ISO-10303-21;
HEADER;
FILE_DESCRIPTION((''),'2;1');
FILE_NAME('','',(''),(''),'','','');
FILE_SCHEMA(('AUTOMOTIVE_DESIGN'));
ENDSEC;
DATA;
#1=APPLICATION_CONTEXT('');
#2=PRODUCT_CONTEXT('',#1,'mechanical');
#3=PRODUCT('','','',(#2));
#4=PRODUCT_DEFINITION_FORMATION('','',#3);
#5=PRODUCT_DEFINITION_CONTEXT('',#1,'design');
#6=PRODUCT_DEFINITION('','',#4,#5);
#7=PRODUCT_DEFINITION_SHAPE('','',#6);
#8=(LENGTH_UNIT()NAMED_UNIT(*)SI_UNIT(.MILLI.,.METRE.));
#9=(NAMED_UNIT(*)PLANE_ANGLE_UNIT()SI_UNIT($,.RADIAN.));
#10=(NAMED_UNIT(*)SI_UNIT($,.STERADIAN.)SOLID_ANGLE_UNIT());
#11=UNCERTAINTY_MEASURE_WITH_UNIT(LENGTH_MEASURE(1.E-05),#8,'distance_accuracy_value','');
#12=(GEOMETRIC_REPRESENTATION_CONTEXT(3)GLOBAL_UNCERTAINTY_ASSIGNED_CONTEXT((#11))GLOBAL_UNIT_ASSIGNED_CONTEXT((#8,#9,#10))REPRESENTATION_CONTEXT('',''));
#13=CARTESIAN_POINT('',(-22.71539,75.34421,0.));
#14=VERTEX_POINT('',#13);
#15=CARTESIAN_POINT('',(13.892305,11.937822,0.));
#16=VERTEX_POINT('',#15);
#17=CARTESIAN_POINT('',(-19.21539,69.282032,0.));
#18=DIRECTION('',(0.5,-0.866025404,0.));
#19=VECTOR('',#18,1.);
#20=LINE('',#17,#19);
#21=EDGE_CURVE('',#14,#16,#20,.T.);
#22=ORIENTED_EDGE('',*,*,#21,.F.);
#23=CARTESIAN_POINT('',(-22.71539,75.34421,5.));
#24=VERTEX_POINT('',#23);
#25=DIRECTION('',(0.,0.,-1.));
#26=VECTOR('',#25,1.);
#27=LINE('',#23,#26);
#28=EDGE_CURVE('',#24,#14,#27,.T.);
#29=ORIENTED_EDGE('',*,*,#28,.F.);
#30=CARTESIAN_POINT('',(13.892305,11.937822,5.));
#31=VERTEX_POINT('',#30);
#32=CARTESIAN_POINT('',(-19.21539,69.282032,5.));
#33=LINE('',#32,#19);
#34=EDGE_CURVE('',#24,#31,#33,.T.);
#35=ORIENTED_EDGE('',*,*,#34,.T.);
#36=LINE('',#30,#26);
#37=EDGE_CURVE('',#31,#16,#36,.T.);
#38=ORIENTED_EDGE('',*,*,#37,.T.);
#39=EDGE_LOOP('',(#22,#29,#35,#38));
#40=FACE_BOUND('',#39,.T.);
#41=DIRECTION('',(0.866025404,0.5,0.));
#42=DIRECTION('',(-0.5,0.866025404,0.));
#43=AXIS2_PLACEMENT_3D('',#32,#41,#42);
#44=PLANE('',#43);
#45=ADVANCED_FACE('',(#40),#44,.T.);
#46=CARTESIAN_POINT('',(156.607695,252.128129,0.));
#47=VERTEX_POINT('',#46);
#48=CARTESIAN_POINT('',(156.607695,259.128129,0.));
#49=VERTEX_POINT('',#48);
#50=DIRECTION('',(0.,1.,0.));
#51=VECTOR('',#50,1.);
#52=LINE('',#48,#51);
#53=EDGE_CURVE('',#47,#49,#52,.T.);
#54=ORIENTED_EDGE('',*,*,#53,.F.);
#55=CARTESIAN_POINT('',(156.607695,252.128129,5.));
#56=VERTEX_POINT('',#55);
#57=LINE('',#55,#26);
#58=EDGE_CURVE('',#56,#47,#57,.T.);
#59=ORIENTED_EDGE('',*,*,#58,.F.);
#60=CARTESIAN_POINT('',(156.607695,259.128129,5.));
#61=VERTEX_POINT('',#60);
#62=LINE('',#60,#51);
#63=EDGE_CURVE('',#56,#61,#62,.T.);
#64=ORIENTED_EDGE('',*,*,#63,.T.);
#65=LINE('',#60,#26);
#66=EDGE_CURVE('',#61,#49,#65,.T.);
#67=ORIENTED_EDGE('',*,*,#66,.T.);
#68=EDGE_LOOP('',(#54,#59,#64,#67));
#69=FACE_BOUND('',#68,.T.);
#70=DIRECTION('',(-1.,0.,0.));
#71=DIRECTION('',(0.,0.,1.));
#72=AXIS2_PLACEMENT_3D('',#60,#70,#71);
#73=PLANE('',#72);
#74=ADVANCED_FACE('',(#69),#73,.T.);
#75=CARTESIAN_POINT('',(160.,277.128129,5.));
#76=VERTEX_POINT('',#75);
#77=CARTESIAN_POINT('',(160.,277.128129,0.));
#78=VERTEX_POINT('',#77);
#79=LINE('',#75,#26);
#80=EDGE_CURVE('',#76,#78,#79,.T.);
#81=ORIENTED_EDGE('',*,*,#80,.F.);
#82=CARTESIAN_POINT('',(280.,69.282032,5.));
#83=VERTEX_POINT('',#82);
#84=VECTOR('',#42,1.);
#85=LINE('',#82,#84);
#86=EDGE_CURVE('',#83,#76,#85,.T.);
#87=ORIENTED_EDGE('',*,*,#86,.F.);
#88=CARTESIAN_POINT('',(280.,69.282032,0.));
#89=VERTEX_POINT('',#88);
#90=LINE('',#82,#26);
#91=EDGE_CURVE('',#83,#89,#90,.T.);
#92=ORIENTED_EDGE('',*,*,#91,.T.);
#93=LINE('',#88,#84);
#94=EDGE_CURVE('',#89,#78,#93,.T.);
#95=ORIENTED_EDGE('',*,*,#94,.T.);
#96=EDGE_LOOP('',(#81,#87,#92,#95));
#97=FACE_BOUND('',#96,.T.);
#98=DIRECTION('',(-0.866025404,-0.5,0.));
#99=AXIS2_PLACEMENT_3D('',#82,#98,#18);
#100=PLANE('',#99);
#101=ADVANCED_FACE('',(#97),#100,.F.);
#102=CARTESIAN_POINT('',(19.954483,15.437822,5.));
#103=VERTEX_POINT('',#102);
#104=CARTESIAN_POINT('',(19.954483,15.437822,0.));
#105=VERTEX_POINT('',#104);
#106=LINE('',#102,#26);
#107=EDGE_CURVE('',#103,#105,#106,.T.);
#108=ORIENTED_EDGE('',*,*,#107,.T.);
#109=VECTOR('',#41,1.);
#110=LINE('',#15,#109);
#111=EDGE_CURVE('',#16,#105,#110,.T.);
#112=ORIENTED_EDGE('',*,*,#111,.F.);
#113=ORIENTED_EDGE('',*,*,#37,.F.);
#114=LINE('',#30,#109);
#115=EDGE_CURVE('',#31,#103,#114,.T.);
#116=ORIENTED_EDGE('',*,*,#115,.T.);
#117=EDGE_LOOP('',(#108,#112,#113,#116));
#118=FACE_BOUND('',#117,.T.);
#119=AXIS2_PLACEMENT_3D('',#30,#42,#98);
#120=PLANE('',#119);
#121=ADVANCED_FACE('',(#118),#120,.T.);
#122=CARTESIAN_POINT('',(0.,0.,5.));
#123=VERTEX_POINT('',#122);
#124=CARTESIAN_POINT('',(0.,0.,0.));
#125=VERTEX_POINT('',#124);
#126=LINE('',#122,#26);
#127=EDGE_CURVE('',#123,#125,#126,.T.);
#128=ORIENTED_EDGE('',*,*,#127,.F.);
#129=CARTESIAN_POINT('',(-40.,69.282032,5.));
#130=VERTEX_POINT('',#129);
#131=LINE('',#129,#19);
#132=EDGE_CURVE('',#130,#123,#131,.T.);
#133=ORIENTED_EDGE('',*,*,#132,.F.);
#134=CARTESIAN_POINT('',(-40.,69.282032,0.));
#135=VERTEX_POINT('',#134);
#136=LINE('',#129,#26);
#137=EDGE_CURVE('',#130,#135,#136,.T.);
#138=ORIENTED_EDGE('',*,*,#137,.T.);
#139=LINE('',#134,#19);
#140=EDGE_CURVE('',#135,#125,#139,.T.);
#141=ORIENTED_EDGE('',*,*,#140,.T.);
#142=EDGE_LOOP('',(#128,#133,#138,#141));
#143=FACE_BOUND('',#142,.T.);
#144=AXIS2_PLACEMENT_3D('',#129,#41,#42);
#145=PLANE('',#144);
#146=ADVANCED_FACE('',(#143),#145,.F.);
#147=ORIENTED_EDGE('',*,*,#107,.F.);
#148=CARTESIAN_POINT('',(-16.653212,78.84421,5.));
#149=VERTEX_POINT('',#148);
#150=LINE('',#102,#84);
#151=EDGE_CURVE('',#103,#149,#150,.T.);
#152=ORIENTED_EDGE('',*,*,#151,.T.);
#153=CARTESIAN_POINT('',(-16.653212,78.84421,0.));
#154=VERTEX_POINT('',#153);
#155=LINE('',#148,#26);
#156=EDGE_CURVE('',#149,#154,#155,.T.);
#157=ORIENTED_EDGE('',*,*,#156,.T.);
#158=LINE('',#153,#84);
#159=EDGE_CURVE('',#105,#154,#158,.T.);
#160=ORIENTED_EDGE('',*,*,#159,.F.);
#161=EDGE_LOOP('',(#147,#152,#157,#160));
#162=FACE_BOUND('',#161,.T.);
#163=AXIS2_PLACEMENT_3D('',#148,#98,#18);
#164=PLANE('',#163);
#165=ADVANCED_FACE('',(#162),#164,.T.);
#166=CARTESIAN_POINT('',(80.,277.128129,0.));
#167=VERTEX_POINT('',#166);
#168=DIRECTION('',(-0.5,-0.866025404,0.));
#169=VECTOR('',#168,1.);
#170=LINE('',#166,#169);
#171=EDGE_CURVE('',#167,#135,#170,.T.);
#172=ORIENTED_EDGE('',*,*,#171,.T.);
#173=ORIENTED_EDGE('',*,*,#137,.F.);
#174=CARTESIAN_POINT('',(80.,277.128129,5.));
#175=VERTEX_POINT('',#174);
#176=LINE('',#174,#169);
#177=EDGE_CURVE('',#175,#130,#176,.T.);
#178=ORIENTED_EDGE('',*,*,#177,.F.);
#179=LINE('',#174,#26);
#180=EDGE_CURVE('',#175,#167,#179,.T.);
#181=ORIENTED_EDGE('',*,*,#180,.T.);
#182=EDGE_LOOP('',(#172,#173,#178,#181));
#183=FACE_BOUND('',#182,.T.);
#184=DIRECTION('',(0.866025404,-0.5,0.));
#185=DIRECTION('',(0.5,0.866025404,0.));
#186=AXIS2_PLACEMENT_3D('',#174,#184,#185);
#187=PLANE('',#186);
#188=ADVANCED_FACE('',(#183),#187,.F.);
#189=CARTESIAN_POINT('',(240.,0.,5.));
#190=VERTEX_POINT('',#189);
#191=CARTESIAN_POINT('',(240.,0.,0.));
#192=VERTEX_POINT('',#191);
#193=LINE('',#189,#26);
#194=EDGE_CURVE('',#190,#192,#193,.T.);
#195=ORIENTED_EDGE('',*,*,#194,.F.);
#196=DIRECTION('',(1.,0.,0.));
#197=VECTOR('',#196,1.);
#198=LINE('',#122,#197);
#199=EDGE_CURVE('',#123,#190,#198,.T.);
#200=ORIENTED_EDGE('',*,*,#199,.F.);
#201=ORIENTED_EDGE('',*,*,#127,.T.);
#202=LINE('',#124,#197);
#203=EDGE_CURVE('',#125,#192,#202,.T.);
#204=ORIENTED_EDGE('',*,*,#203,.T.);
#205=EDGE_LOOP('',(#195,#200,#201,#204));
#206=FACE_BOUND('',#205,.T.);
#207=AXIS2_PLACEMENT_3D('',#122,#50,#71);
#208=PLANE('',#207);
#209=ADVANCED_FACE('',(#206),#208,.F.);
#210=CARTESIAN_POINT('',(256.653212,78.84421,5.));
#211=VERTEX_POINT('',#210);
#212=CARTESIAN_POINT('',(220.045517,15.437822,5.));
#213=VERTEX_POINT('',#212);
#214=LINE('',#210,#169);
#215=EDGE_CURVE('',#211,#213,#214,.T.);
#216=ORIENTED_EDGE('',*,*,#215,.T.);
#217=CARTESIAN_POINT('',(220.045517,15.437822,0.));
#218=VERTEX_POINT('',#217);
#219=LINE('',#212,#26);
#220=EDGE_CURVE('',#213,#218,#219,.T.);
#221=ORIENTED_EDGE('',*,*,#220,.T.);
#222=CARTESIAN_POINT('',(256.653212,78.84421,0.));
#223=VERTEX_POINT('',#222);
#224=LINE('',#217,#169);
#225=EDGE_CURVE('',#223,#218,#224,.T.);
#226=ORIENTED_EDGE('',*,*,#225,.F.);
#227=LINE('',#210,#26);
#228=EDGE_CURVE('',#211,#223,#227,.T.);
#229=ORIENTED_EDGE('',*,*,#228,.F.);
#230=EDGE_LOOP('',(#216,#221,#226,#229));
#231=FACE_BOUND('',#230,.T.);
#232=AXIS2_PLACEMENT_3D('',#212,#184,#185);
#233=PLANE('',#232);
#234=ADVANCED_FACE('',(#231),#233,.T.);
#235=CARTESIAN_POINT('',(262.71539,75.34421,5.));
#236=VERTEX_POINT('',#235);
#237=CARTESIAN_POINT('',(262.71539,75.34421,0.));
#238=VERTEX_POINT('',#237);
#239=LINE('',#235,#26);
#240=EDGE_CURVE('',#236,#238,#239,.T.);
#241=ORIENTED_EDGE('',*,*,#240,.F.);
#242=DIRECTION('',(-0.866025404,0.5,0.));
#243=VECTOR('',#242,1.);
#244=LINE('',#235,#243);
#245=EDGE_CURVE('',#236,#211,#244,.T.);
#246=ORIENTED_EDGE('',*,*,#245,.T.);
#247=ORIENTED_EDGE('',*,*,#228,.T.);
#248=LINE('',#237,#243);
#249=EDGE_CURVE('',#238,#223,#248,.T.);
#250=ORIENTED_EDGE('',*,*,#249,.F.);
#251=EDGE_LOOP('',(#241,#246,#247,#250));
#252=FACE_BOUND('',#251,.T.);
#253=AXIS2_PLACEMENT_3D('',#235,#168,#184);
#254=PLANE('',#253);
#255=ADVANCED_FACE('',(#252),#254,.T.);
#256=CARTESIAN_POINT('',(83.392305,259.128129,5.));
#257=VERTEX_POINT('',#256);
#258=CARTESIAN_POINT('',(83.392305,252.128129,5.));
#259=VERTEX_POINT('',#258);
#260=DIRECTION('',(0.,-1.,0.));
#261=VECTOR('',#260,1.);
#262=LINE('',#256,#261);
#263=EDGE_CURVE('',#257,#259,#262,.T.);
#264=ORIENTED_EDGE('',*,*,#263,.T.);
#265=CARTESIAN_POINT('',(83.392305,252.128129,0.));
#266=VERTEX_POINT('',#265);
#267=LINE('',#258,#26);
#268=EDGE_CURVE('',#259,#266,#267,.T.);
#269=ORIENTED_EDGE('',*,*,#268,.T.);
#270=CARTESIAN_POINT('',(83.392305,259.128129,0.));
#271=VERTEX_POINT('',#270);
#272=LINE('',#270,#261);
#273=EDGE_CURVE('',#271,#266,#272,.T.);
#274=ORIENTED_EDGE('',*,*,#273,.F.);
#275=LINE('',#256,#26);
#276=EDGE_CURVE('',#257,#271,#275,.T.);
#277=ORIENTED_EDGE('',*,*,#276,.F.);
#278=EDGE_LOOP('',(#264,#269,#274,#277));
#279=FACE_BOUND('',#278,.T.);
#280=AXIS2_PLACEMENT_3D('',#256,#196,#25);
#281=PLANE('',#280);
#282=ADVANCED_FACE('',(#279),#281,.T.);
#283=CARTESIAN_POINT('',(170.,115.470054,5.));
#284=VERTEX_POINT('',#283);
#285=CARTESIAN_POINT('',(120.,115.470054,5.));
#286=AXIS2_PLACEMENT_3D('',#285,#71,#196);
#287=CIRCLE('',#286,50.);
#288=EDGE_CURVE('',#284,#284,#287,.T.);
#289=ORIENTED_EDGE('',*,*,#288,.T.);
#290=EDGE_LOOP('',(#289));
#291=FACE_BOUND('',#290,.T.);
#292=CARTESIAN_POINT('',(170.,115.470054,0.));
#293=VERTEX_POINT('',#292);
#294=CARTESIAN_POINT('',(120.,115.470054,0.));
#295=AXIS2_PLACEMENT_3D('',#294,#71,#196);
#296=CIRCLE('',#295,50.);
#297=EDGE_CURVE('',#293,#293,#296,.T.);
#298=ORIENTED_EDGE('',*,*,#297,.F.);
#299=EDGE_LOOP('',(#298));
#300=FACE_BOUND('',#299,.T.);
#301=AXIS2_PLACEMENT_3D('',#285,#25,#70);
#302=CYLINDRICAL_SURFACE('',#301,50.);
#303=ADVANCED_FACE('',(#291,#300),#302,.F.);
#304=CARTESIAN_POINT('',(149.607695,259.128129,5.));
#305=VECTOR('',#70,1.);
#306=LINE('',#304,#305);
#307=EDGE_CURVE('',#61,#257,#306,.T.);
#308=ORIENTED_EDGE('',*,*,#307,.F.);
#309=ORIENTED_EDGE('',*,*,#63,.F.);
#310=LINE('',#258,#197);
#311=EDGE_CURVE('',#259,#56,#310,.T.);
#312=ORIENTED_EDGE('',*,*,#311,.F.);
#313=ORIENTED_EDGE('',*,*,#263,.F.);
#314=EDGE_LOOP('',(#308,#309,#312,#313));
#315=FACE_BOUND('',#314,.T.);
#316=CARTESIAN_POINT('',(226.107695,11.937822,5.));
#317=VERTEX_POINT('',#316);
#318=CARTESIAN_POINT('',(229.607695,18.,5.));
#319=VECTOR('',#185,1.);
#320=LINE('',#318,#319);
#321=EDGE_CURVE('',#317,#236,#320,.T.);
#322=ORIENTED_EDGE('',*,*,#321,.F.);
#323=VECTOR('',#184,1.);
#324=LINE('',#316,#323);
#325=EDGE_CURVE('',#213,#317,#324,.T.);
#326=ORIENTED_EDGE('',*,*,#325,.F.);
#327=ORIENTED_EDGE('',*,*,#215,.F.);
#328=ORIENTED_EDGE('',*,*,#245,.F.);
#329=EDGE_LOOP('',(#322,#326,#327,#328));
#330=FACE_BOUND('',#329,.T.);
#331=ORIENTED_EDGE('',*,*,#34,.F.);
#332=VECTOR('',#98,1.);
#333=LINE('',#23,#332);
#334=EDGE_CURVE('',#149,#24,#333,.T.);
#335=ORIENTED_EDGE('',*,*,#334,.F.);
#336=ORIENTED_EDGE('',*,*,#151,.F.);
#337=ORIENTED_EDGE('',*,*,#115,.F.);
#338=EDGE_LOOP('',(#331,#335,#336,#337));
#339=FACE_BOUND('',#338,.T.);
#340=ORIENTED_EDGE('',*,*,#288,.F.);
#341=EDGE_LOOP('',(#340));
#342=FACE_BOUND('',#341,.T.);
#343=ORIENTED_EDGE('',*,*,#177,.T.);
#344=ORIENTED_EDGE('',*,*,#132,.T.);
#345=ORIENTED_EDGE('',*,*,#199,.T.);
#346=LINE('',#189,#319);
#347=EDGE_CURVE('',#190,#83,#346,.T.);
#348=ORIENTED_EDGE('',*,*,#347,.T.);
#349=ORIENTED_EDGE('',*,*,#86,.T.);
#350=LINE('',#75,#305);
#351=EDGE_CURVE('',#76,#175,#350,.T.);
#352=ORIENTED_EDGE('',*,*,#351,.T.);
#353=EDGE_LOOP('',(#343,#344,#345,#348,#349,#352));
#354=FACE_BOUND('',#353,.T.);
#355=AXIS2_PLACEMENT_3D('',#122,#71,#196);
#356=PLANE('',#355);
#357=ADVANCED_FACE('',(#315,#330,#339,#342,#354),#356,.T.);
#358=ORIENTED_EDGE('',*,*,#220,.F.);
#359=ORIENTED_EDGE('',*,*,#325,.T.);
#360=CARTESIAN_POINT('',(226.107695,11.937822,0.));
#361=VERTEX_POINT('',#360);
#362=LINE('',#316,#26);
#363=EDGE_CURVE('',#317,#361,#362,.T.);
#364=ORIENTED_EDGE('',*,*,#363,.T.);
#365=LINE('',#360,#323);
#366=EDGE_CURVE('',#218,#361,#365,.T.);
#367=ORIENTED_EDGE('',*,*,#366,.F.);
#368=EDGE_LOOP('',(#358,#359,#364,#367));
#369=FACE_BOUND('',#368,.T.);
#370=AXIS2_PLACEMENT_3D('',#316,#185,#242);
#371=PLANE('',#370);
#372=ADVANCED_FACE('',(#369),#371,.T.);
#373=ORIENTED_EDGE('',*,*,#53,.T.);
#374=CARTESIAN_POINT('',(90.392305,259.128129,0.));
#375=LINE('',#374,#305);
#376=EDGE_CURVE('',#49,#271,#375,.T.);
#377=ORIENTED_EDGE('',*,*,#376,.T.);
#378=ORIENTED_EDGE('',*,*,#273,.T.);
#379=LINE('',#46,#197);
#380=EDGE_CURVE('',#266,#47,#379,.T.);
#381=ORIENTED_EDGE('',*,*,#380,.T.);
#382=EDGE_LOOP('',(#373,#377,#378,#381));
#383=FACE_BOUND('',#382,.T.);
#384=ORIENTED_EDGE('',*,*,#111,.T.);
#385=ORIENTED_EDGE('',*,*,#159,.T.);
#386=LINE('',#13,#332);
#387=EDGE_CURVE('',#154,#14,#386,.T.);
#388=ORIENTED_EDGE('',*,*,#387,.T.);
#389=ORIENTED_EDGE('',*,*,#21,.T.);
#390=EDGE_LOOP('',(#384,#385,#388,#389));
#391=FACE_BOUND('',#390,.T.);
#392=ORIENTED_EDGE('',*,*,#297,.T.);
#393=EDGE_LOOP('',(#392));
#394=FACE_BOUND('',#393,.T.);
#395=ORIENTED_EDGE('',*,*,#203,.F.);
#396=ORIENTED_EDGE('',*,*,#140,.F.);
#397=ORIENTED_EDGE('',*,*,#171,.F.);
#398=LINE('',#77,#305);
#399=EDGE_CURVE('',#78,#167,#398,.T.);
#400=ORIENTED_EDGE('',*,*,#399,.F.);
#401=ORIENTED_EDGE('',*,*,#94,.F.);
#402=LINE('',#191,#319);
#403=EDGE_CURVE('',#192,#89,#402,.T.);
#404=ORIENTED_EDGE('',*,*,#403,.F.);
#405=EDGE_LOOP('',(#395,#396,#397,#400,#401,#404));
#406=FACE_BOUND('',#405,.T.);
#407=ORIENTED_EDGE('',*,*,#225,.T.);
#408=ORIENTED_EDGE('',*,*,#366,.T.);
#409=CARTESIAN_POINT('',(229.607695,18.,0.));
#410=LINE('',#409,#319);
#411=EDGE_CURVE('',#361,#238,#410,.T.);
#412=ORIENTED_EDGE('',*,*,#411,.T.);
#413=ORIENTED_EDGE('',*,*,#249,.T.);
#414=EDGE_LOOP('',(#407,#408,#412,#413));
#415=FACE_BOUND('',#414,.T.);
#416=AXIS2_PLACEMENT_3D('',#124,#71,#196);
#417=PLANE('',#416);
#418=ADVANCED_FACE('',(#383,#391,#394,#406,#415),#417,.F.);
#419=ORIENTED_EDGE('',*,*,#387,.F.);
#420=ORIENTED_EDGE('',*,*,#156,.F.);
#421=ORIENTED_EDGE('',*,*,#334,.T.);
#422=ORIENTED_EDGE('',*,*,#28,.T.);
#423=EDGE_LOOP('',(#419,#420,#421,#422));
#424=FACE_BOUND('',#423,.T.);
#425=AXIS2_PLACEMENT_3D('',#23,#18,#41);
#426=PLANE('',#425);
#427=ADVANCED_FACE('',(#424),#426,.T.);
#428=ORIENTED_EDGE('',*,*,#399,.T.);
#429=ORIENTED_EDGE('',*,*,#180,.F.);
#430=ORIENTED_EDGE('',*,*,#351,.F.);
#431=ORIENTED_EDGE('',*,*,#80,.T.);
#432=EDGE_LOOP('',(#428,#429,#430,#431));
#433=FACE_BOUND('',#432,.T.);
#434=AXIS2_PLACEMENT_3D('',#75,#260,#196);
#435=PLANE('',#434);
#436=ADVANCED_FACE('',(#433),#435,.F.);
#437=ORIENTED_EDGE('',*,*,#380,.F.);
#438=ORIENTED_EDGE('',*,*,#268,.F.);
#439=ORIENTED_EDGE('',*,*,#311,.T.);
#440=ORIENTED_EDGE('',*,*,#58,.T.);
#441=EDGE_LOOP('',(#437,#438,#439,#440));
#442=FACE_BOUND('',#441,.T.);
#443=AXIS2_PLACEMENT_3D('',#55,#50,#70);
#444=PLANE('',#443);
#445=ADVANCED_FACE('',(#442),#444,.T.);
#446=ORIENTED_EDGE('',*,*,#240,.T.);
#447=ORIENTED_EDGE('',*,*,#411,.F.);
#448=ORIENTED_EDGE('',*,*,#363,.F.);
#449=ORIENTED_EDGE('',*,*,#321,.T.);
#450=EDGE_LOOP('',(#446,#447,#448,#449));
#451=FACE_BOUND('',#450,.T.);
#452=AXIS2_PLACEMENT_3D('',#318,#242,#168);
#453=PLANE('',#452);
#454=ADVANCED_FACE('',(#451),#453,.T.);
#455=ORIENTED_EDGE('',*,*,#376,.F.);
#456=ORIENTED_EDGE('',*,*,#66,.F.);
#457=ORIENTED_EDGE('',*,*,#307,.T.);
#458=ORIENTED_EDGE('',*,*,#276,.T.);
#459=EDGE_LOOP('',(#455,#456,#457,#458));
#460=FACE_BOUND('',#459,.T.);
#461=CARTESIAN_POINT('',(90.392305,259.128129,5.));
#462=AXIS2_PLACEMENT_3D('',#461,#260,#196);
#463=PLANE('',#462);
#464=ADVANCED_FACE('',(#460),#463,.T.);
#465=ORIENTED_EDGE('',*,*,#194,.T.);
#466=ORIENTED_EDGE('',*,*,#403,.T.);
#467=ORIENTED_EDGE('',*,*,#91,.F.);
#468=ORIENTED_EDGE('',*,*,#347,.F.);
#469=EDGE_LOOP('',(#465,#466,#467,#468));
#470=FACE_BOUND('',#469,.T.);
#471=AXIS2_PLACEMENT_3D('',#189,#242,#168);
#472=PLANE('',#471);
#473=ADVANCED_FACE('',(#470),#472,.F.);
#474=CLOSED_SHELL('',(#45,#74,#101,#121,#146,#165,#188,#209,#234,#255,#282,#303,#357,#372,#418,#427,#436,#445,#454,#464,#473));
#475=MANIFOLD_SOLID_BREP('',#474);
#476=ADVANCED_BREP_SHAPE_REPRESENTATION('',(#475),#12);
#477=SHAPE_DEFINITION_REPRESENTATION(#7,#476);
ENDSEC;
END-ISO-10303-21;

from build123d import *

# Parameters (mm, degrees)
SKETCH1_R           = 50
BOSS_EXTRUDE1_DEPTH = 5


with BuildPart() as part:
    # Sketch1 → Boss-Extrude1 (new body)
    with BuildSketch(Plane.XY):
        Polygon((0, 0), (240, 0), (280, 69.282032303), (160, 277.128129211), (80, 277.128129211), (-40, 69.282032303), align=None)
        with Locations((120, 115.470053838)):
            Circle(SKETCH1_R, mode=Mode.SUBTRACT)
        Polygon((149.607695155, 259.128129211), (90.392304845, 259.128129211), (83.392304845, 259.128129211), (83.392304845, 252.128129211), (90.392304845, 252.128129211), (94.43375673, 252.128129211), (145.56624327, 252.128129211), (149.607695155, 252.128129211), (156.607695155, 252.128129211), (156.607695155, 259.128129211), align=None, mode=Mode.SUBTRACT)
        Polygon((225.56624327, 25), (251.132486541, 69.282032303), (253.153212483, 72.782032303), (256.653212483, 78.844210129), (262.715390309, 75.344210129), (259.215390309, 69.282032303), (229.607695155, 18), (226.107695155, 11.937822174), (220.045517328, 15.437822174), (223.545517328, 21.5), align=None, mode=Mode.SUBTRACT)
        Polygon((-11.132486541, 69.282032303), (14.43375673, 25), (16.454482672, 21.5), (19.954482672, 15.437822174), (13.892304845, 11.937822174), (10.392304845, 18), (-19.215390309, 69.282032303), (-22.715390309, 75.344210129), (-16.653212483, 78.844210129), (-13.153212483, 72.782032303), align=None, mode=Mode.SUBTRACT)
    extrude(amount=BOSS_EXTRUDE1_DEPTH)


solid = part.part
